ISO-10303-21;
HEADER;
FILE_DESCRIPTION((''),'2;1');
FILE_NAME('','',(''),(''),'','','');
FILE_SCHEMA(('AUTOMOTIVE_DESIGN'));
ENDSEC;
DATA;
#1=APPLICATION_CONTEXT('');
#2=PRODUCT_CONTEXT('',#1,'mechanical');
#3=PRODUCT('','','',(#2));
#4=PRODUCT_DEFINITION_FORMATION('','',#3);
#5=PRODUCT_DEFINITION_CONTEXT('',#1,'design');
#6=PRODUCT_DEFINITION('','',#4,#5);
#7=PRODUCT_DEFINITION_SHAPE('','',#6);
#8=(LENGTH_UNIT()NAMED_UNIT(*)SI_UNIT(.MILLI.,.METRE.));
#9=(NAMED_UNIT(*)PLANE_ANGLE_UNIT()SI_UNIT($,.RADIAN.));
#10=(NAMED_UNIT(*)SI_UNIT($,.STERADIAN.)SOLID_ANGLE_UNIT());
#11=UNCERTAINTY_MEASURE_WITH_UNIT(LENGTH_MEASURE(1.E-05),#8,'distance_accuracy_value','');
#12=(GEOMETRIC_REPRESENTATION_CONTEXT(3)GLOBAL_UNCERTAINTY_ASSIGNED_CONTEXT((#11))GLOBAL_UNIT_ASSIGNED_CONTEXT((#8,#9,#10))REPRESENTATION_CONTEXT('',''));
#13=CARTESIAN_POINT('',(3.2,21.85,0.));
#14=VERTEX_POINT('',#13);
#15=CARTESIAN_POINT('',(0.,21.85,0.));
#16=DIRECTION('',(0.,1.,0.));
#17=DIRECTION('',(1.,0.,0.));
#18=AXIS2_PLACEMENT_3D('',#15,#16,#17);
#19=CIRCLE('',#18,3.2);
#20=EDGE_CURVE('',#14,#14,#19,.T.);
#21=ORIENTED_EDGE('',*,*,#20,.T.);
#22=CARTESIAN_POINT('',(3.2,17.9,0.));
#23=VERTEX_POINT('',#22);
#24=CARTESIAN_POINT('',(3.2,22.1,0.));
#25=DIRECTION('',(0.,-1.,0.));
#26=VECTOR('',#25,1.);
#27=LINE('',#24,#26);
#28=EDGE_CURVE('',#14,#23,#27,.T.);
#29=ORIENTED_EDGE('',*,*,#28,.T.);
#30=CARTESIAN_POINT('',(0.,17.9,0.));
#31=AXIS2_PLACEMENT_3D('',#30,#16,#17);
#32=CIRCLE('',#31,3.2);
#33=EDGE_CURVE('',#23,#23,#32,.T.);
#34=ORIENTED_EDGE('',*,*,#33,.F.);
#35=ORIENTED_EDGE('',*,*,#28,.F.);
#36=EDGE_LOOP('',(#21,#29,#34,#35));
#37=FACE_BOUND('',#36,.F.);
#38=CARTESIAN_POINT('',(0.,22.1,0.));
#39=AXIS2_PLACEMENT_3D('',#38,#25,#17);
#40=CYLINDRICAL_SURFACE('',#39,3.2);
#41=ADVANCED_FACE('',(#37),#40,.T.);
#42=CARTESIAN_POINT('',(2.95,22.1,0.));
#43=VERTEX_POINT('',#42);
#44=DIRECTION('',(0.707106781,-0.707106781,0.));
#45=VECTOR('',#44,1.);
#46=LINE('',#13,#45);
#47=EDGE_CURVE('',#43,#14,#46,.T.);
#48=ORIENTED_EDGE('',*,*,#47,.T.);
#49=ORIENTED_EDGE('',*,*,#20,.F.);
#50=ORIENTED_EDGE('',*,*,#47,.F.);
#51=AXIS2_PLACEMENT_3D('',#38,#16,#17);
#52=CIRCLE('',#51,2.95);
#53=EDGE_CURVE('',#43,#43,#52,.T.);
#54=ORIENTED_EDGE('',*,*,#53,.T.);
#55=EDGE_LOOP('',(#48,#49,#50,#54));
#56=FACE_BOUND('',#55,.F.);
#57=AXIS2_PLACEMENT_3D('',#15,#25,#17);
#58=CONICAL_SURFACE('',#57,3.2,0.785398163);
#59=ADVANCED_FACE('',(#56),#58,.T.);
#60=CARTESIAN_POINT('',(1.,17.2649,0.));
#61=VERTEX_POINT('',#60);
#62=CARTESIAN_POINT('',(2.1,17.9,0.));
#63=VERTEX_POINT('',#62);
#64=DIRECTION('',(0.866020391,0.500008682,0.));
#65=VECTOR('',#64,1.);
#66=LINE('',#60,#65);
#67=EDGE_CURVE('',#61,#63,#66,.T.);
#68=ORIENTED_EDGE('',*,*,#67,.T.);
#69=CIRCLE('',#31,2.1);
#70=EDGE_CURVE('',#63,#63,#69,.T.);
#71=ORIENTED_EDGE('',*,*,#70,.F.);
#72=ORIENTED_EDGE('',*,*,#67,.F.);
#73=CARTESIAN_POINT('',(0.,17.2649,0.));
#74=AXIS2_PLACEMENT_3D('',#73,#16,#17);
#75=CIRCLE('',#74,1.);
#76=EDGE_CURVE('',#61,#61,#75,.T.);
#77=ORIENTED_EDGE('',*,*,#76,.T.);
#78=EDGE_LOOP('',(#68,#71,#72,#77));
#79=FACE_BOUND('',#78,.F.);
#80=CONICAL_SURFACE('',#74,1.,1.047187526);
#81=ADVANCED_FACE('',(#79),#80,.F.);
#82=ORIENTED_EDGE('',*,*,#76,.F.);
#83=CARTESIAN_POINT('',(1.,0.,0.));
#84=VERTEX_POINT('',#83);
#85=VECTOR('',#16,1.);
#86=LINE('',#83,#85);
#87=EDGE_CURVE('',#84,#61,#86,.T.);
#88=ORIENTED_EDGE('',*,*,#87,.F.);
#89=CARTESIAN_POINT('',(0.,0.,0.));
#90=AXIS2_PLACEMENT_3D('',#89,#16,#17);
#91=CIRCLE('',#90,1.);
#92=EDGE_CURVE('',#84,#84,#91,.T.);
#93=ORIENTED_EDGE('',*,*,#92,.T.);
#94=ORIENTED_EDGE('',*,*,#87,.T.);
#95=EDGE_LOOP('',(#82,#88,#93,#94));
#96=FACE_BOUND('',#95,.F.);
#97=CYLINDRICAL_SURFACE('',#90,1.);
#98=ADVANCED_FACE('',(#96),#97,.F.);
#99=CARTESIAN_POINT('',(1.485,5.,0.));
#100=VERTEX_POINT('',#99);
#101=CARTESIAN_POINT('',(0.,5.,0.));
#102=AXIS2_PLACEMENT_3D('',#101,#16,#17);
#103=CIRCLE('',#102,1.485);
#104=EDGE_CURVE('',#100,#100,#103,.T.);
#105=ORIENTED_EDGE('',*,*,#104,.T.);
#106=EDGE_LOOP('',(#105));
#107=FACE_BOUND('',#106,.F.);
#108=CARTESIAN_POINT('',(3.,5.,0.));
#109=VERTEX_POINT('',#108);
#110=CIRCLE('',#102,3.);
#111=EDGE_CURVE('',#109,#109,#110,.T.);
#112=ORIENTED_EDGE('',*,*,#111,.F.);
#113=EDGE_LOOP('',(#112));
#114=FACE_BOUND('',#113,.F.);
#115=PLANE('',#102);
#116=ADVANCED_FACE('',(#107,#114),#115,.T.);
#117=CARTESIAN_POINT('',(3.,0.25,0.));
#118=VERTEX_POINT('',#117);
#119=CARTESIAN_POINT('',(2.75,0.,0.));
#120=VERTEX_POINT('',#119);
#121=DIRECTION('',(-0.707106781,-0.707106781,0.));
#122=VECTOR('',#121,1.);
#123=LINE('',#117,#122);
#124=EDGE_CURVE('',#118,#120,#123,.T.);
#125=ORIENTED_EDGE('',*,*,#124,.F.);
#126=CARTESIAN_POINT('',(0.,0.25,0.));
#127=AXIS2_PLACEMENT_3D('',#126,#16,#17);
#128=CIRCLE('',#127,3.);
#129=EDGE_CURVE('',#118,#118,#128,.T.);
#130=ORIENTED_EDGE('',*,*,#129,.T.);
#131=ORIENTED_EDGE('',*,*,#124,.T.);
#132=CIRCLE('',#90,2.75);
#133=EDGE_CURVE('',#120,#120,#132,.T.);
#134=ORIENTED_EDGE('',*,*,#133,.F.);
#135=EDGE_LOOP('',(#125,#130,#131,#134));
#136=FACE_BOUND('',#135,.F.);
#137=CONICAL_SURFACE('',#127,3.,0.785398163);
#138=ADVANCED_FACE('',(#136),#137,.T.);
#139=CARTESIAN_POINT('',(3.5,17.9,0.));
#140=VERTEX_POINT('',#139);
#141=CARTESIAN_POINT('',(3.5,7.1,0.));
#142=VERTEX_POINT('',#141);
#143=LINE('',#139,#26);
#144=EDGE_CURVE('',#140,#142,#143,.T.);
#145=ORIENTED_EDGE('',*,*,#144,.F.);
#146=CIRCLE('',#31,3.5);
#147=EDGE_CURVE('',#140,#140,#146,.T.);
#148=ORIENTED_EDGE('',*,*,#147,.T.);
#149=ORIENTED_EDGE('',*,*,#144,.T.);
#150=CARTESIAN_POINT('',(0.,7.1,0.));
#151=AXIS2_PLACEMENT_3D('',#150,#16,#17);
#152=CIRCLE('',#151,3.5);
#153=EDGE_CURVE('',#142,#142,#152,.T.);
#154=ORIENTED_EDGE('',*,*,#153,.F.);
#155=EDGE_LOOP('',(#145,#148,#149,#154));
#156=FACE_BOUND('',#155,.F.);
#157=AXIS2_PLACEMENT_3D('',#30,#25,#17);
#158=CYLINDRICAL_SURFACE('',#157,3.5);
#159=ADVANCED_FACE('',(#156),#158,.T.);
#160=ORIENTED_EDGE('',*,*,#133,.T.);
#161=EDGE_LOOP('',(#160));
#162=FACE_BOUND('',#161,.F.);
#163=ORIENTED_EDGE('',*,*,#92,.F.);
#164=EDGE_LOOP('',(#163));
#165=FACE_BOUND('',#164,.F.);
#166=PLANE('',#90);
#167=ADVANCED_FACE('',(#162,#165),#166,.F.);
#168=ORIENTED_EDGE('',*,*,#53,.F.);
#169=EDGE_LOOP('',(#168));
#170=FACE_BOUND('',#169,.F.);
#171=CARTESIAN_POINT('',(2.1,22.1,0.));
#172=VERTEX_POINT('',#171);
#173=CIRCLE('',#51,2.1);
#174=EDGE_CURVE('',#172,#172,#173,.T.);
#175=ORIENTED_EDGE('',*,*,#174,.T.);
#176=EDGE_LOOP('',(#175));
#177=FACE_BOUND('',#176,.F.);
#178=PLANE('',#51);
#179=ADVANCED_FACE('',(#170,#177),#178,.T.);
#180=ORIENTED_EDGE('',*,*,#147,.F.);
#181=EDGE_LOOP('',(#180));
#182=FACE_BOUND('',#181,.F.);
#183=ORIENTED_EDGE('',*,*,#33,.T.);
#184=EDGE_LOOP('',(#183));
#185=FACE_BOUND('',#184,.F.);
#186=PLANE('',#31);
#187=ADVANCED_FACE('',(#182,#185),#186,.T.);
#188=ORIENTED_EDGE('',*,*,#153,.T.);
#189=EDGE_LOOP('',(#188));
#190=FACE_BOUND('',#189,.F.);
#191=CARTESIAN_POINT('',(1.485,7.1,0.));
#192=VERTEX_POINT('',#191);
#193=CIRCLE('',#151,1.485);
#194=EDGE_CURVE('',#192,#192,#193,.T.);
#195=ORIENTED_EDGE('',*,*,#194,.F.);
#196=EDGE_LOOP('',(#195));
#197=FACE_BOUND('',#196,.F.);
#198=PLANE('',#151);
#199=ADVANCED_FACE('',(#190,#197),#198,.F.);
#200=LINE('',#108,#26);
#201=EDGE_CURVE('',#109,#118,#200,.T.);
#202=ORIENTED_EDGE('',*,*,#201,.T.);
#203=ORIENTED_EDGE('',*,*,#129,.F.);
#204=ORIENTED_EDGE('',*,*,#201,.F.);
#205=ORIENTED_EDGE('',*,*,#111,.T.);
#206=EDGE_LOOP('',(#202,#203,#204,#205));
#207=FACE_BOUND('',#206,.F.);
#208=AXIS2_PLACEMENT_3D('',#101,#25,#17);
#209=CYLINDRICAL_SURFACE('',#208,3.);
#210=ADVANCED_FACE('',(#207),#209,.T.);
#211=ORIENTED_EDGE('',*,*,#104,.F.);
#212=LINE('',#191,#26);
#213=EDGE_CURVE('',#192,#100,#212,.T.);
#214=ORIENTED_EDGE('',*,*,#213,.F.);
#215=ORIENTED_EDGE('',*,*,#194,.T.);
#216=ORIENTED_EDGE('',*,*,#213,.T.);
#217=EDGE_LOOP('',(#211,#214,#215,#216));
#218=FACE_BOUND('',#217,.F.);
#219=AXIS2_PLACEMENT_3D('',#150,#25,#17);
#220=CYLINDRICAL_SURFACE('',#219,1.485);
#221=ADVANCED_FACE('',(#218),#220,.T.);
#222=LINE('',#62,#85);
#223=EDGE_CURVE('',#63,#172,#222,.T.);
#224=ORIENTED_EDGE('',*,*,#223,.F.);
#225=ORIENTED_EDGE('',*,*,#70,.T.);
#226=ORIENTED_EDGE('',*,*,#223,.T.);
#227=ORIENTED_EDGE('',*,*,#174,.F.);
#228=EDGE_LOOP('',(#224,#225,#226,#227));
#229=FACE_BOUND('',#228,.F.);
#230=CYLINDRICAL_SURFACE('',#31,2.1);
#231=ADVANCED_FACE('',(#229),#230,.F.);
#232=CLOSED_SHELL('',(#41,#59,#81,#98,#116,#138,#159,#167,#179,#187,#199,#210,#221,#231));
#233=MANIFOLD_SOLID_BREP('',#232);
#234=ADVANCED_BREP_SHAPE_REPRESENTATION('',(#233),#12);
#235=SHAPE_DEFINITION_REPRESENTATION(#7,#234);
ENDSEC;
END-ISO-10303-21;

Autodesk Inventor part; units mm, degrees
ref_plane "YZ Plane" through (0, 0, 0) normal (1, 0, 0) x (0, 1, 0)
ref_plane "XZ Plane" through (0, 0, 0) normal (0, 1, 0) x (-1, 0, 0)
ref_plane "XY Plane" through (0, 0, 0) normal (0, 0, 1) x (1, 0, 0)
sketch "Skizze1" plane through (0, 0, 0) normal (0, 0, 1) x (1, 0, 0)
  line L0 (1, 0) -> (1, 17.2649)
  line L1 (1, 17.2649) -> (2.1, 17.9)
  line L2 (2.1, 17.9) -> (2.1, 22.1)
  line L3 (2.1, 22.1) -> (3.2, 22.1)
  line L4 (3.2, 22.1) -> (3.2, 17.9)
  line L5 (3.2, 17.9) -> (3.5, 17.9)
  line L6 (3.5, 17.9) -> (3.5, 7.1)
  line L7 (3.5, 7.1) -> (1.485, 7.1)
  line L8 (1.485, 7.1) -> (1.485, 5)
  line L9 (1.485, 5) -> (3, 5)
  line L10 (3, 5) -> (3, 0)
  line L11 (3, 0) -> (1, 0)
  line L12 (0, -4.42) -> (0, 26.52) projected
  point P0 (0, 0)
  dimension "d0" = 120
  dimension "d1" = 1
  dimension "d2" = 1.485
  dimension "d3" = 0
  dimension "d4" = 5
  dimension "d5" = 2.1
  dimension "d6" = 15
  dimension "d7" = 2.1
  dimension "d8" = 3.5
  dimension "d9" = 3
  dimension "d10" = 0
  dimension "d11" = 4.2
  dimension "d12" = 3.2
revolve "Umdrehung1" add sketch "Skizze1" angle 360 about axis through (0, -10, 0) along (0, 1, 0)
chamfer "Fase1" distance 0.25 angle 45 2 edges at (-3.2, 22.1, 0) (-3, 0, 0)
thread "Gewinde1" size "M7x1" class "6g" standard "ANSI Metric M Profile" full length
thread "Gewinde2" size "M6x1" class "6g" standard "ANSI Metric M Profile" full length
properties part number "E3D-v6 1.75mm Heat Break" material "Edelstahl, 440C"
